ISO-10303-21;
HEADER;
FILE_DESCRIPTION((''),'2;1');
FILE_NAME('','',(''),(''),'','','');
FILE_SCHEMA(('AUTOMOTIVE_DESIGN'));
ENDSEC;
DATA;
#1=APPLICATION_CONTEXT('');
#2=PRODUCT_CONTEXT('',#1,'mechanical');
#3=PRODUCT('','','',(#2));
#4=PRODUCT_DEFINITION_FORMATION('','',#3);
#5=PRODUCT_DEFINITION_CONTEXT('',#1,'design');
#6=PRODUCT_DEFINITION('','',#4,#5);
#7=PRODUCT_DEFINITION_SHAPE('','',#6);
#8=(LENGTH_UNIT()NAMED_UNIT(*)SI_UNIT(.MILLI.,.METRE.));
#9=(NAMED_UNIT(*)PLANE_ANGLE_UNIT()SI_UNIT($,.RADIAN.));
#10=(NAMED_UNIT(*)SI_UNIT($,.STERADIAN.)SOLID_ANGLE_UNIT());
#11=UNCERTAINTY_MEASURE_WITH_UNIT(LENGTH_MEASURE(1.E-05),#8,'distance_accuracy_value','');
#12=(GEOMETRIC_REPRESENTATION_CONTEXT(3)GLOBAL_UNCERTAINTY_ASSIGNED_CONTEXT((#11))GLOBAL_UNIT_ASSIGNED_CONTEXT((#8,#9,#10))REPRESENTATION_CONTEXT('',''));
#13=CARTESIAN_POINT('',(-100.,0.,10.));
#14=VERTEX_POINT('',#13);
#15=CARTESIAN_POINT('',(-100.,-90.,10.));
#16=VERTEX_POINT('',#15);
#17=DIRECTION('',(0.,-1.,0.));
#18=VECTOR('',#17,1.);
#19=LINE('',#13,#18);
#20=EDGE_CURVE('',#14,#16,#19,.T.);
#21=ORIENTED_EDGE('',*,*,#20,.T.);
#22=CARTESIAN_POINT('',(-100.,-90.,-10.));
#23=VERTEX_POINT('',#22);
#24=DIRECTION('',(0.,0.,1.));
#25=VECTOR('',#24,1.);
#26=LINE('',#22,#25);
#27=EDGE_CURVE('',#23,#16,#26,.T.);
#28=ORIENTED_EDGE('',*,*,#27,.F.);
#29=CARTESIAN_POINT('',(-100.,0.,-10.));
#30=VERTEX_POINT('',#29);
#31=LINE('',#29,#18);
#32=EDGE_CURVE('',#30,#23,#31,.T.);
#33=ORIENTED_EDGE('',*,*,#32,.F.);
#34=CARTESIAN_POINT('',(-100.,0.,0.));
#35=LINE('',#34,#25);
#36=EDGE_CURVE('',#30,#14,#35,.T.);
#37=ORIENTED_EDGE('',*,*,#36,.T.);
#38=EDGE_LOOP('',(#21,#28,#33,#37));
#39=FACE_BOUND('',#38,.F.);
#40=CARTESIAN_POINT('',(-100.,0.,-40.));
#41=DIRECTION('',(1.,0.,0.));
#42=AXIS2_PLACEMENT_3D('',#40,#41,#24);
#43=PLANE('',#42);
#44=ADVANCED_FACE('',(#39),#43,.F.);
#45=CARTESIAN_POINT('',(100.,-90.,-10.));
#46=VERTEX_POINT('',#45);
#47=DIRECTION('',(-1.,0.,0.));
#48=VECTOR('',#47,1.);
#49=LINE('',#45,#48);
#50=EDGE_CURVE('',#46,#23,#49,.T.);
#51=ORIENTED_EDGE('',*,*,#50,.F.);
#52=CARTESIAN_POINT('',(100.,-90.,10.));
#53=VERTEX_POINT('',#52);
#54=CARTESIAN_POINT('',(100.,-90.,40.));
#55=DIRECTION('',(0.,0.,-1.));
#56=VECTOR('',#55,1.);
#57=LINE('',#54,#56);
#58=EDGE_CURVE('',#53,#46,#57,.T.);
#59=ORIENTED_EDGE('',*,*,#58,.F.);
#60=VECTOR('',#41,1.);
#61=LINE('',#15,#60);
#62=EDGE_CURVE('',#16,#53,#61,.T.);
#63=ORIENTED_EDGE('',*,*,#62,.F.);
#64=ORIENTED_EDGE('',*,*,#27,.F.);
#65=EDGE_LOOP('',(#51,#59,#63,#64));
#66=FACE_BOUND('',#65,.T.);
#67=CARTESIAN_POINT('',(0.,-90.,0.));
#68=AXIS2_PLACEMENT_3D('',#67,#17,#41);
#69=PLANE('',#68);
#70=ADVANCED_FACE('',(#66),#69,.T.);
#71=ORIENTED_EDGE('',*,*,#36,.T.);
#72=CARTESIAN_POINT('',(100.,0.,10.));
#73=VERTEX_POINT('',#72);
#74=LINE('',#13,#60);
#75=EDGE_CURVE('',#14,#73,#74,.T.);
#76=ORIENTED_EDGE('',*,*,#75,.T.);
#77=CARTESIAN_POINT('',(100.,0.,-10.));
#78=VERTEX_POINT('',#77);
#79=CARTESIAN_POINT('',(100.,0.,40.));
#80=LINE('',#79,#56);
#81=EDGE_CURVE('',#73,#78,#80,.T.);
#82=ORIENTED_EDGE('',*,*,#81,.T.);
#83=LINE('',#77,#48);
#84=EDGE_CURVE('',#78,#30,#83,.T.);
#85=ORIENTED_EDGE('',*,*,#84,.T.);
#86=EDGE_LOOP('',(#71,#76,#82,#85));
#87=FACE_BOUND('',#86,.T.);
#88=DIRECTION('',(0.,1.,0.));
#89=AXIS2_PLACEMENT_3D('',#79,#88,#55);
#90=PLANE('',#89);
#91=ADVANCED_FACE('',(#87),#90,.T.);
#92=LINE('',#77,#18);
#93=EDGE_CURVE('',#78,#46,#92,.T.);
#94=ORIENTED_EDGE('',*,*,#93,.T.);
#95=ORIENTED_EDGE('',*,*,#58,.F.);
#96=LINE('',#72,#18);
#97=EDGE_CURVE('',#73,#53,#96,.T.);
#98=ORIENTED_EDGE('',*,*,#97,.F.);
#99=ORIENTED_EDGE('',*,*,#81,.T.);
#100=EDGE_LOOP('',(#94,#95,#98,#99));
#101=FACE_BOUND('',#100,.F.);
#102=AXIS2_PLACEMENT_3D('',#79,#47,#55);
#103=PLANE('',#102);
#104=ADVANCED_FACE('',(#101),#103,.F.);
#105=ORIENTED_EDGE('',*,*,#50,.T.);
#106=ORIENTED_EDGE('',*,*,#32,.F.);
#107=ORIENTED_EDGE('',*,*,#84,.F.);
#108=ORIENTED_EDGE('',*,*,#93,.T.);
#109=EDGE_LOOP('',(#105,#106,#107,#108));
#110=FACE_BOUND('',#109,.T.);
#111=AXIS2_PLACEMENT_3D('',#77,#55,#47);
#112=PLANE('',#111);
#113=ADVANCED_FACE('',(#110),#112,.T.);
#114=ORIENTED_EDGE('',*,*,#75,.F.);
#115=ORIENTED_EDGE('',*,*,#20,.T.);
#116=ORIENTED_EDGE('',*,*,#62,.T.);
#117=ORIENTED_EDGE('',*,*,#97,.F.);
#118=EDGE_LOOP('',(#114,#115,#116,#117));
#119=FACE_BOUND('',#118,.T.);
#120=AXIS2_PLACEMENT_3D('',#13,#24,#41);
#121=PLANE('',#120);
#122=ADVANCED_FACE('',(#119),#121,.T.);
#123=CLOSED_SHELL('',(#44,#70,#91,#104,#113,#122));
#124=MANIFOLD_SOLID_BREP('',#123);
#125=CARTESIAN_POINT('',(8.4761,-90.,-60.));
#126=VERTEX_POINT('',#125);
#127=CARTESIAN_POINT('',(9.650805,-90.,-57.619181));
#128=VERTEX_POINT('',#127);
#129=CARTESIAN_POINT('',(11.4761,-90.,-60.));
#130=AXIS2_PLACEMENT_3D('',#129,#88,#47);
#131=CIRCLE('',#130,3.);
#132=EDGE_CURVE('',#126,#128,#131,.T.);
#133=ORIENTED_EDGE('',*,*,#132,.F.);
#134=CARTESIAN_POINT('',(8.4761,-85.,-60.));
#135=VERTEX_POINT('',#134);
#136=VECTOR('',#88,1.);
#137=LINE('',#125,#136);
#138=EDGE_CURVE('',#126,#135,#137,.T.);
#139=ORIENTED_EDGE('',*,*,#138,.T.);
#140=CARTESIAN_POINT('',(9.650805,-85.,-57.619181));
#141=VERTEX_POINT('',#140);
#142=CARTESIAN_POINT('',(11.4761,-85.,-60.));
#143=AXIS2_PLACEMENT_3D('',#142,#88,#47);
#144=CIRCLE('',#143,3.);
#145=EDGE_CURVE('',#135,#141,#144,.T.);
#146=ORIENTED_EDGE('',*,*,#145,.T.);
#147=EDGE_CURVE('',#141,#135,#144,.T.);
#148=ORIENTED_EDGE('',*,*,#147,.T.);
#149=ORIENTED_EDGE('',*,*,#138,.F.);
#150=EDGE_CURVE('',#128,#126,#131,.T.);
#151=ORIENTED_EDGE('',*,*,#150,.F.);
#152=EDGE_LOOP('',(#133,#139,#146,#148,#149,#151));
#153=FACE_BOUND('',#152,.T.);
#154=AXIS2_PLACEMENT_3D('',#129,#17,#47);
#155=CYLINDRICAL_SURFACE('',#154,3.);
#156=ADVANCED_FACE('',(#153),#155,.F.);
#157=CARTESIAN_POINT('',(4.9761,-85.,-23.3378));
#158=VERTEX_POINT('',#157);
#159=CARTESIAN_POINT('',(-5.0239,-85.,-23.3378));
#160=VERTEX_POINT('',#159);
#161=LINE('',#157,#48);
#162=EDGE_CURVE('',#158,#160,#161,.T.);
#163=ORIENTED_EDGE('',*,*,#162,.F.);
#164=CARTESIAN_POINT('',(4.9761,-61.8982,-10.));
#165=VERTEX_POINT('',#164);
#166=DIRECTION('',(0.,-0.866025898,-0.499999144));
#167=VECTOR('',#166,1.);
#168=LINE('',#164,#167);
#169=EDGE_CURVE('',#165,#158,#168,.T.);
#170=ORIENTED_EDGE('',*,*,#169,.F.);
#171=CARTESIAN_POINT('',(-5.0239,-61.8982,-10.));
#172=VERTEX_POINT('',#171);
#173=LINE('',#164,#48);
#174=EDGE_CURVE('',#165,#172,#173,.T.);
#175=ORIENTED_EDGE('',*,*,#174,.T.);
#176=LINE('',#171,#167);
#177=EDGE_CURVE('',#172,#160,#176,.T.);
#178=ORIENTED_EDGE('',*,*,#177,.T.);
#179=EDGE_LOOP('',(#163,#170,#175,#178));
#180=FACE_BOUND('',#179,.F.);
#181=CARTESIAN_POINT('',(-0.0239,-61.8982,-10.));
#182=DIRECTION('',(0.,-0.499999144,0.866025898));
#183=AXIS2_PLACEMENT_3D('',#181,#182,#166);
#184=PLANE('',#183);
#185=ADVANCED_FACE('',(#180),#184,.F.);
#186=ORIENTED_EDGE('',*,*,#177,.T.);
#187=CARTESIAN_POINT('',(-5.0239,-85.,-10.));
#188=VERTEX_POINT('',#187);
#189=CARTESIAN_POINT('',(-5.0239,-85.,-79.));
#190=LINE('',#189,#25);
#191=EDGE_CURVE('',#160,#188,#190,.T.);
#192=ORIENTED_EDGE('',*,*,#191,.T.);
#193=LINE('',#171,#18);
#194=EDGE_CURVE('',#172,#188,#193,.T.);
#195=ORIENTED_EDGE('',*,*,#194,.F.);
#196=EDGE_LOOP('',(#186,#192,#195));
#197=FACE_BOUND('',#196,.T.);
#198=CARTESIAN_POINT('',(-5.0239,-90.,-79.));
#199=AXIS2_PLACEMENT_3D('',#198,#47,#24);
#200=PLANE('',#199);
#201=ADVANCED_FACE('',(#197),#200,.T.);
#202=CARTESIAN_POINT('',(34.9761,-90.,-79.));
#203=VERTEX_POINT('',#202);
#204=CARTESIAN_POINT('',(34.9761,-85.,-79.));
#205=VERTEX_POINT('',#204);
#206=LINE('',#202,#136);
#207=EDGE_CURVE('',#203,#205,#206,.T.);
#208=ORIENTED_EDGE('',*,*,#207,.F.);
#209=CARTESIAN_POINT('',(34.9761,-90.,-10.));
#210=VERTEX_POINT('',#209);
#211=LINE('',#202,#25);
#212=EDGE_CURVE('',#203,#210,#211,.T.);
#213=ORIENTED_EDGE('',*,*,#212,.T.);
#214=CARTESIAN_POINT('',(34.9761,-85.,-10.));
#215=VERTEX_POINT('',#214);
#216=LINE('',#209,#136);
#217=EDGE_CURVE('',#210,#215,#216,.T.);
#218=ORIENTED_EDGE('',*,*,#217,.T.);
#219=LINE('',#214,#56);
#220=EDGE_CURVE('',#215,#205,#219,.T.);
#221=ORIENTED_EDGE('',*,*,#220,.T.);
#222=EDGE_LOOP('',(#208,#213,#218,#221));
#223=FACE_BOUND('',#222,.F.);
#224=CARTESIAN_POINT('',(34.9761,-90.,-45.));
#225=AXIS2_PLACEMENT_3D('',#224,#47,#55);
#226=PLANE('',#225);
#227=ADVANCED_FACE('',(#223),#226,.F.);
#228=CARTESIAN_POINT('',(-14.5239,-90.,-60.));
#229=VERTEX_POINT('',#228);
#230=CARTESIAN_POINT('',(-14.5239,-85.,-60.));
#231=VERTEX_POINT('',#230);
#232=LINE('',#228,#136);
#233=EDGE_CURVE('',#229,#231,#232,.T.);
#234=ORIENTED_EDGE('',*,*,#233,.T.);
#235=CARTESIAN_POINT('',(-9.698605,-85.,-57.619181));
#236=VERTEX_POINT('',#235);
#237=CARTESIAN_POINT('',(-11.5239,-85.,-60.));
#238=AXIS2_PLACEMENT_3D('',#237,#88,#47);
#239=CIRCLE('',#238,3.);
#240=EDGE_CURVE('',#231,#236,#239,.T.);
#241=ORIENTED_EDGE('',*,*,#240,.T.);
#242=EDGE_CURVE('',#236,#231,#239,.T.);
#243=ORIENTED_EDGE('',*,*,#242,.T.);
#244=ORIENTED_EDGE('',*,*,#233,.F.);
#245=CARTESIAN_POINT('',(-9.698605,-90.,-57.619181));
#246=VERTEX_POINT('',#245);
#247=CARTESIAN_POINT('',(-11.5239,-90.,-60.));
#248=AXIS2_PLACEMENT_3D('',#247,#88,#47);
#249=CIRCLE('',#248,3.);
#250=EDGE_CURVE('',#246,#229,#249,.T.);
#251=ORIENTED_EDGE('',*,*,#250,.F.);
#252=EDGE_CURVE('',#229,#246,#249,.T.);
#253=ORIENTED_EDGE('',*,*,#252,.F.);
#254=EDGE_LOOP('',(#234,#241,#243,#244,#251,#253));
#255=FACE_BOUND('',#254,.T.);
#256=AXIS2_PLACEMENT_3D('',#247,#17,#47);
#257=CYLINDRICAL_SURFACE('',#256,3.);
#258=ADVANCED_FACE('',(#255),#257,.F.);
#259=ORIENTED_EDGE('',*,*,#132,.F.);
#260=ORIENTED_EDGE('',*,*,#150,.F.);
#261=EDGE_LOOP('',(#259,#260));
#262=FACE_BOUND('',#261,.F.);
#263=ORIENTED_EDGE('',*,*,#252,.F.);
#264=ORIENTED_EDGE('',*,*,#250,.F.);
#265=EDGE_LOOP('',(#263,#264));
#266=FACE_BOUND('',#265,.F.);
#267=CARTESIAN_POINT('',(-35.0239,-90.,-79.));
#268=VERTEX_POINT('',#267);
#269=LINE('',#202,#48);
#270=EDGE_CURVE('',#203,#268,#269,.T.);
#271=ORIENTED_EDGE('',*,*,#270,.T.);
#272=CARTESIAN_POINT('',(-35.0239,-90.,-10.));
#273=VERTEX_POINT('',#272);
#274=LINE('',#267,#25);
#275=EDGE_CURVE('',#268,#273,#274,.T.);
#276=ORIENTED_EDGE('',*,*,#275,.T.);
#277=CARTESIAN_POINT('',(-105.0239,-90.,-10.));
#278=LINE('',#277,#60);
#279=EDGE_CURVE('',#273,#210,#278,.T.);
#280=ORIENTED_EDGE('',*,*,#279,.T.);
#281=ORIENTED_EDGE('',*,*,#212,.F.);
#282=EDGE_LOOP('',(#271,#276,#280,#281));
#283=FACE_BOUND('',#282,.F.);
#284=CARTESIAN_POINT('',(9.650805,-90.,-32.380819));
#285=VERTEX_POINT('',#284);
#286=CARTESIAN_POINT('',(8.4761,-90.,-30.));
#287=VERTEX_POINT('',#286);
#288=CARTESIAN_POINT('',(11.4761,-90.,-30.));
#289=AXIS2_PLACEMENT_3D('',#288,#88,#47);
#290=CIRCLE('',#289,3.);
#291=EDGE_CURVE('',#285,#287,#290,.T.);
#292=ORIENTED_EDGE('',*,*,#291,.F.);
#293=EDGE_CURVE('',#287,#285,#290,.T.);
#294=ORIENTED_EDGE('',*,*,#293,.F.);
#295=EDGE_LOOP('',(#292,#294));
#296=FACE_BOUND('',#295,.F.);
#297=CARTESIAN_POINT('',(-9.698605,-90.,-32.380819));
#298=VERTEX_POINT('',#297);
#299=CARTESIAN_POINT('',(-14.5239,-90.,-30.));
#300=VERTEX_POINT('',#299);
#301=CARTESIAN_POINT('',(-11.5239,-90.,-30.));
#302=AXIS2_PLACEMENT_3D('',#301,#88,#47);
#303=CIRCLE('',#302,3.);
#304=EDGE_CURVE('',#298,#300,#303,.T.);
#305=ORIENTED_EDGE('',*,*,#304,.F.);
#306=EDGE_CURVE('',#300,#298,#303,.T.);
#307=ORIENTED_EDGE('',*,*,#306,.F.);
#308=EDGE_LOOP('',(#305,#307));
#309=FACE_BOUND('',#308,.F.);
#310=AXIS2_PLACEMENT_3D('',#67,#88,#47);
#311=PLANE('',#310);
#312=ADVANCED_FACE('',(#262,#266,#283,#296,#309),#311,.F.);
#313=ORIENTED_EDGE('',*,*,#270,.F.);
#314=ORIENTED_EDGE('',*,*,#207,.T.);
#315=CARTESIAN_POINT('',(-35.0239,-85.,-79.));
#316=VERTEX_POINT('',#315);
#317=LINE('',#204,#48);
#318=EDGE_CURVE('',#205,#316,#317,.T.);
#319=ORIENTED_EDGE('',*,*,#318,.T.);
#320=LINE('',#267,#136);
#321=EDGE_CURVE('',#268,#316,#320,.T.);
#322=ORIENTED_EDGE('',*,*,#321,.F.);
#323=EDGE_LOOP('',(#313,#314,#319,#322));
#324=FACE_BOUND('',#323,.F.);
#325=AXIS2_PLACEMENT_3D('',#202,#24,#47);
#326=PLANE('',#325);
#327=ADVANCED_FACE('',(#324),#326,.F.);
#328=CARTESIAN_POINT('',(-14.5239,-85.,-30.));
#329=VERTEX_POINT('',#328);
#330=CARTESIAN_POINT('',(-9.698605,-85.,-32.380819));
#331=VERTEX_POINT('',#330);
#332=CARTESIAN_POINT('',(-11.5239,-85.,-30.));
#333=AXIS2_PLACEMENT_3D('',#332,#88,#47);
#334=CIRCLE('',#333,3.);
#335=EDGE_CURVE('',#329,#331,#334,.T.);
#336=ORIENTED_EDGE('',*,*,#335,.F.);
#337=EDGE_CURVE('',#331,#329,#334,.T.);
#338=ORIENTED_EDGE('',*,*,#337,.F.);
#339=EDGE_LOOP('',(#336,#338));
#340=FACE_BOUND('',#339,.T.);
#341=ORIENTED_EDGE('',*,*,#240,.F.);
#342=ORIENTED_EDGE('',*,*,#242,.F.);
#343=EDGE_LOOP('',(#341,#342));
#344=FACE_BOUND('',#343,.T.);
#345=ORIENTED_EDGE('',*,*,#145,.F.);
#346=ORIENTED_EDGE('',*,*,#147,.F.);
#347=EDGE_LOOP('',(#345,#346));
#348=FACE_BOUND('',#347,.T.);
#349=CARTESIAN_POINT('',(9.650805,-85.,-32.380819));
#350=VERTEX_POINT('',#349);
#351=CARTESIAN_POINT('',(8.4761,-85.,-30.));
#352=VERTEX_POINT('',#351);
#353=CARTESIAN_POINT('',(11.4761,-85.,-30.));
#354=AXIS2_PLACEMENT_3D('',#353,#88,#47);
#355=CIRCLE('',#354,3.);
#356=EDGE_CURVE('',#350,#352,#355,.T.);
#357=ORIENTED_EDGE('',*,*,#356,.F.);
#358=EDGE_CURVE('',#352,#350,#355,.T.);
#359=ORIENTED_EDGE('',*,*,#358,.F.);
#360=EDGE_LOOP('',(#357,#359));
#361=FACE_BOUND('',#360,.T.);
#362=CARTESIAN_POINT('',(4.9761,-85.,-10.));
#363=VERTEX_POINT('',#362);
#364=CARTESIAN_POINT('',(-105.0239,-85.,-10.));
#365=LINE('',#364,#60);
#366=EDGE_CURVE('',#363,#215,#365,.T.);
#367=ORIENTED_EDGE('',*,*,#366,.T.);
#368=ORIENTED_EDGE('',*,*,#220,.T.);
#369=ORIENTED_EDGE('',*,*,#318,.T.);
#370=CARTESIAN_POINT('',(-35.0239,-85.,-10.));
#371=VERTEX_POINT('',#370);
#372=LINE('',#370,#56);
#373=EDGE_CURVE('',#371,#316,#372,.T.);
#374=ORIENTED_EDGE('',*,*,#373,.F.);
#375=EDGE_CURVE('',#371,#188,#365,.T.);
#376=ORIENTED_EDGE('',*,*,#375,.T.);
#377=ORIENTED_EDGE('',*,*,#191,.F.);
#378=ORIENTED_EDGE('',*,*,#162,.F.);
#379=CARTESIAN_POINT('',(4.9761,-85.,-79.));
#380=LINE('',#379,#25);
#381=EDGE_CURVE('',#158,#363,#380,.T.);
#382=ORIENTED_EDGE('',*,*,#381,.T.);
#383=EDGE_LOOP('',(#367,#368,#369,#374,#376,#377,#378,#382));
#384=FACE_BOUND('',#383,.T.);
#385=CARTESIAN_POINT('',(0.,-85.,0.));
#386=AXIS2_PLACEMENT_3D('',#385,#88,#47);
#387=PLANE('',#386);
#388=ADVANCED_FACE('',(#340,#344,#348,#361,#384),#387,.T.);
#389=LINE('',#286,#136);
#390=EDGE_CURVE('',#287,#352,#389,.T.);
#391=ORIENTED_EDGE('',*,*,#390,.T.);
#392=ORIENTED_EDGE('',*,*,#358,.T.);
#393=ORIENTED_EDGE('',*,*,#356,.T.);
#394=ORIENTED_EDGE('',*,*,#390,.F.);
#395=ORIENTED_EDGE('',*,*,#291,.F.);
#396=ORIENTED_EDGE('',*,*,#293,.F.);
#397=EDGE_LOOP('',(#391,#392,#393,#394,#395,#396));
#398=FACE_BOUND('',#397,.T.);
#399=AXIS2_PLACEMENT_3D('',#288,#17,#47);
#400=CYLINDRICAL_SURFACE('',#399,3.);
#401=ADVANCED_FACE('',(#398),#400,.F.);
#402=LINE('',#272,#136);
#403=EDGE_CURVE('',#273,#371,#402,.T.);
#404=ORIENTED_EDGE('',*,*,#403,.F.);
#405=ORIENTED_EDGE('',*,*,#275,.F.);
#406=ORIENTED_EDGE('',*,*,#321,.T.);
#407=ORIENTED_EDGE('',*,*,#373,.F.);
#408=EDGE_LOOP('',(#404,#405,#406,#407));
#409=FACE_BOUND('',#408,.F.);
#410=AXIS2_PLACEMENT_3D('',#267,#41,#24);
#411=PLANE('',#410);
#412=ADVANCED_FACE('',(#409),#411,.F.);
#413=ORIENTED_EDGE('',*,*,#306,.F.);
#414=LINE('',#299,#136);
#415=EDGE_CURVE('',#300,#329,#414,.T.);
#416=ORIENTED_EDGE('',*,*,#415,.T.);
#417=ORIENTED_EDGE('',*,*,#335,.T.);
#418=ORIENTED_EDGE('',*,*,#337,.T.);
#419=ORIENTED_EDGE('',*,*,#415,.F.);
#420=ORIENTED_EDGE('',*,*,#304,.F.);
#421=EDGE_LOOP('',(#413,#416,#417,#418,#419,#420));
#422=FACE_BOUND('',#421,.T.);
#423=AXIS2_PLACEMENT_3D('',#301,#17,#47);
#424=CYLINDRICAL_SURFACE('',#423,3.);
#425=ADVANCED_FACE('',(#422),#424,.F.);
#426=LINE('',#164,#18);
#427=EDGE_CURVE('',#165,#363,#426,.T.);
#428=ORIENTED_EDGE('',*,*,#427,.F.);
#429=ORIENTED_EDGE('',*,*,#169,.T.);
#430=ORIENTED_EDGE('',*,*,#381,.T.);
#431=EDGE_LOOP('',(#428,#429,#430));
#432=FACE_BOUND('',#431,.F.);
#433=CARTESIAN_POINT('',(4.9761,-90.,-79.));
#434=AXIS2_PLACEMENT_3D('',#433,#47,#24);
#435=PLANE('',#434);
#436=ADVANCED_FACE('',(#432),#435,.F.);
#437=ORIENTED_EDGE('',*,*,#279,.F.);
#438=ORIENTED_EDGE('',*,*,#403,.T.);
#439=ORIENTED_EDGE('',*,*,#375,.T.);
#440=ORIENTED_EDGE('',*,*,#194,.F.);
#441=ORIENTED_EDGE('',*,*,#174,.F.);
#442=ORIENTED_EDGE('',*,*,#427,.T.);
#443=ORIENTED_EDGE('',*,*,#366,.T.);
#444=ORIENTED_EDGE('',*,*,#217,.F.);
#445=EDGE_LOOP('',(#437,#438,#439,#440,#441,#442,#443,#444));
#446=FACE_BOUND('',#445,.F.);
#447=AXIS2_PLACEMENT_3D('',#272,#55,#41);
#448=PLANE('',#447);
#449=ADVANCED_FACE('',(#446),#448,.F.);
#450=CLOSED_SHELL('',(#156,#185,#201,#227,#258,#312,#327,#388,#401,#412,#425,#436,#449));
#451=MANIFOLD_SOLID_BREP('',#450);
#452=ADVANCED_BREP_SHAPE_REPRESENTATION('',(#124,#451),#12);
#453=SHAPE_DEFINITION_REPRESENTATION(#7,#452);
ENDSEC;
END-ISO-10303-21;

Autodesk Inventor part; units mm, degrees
ref_plane "YZ Plane" through (0, 0, 0) normal (1, 0, 0) x (0, 1, 0)
sketch "Boceto1" plane through (0, 0, 0) normal (0, 1, 0) x (-1, 0, 0)
  line L0 (100, 40) -> (-100, 40)
  line L1 (-100, 40) -> (-100, -40)
  line L2 (-100, -40) -> (100, -40)
  line L3 (100, -40) -> (100, 40)
  line L4 (100, 40) -> (-100, -40) construction
  line L5 (-100, 40) -> (100, -40) construction
  point P0 (0, 0)
  dimension "d0" = 200
  dimension "d1" = 80
extrude "Extrusión1" add sketch "Boceto1" along normal blind 130
sketch "Boceto2" plane through (-100, 0, 40) normal (0, 0, 1) x (1, 0, 0)
  line L0 (10, 80) -> (190, 80)
  line L1 (190, 80) -> (190, 20)
  line L2 (190, 20) -> (10, 20)
  line L3 (10, 20) -> (10, 80)
  line L4 (10, 80) -> (190, 20) construction
  line L5 (190, 80) -> (10, 20) construction
  line L6 (0, 0) -> (200, 0) projected
  line L7 (0, 0) -> (0, 130) projected
  point P0 (100, 0)
  point P1 (100, 50)
  dimension "d4" = 180
  dimension "d5" = 60
  dimension "d6" = 20
  dimension "d52" = 10
extrude "Extrusión2" cut sketch "Boceto2" against normal blind 60
sketch "Boceto3" plane through (0, 130, 0) normal (0, 1, 0) x (1, 0, 0)
  line L0 (-10.5, -21.5) -> (10.5, -21.5)
  line L1 (10.5, -21.5) -> (10.5, 21.5)
  line L2 (10.5, 21.5) -> (-10.5, 21.5)
  line L3 (-10.5, 21.5) -> (-10.5, -21.5)
  line L4 (-10.5, -21.5) -> (10.5, 21.5) construction
  line L5 (10.5, -21.5) -> (-10.5, 21.5) construction
  line L6 (100, -40) -> (100, 40) projected
  point P0 (0, 0)
  point P1 (0, 0)
  dimension "d9" = 21
  dimension "d10" = 43
  dimension "d53" = 89.5
extrude "Extrusión3" cut sketch "Boceto3" against normal blind 43
sketch "Boceto4" plane through (0, 0, 0) normal (0, -1, 0) x (1, 0, 0)
  line L0 (100, 40) -> (100, -40) projected
  line L1 (-100, 10) -> (100, 10)
  line L2 (100, 10) -> (100, -10)
  line L3 (100, -10) -> (-100, -10)
  line L4 (-100, -10) -> (-100, 10)
  line L5 (-100, 10) -> (100, -10) construction
  line L6 (100, 10) -> (-100, -10) construction
  point P0 (0, 0)
  dimension "d13" = 20
extrude "Extrusión4" add sketch "Boceto4" along normal blind 90
ref_plane "Plano de trabajo1" through (0, -90, 0) normal (0, 1, 0) x (-1, 0, 0)
sketch "Boceto7" plane through (0, -90, 0) normal (0, 1, 0) x (-1, 0, 0)
  circle A0 centre (11.5239, -60) radius 3
  circle A1 centre (-11.4761, -60) radius 3
  line L0 (105, 10) -> (-105, 10)
  line L1 (105.0239, -10) -> (-104.9761, -10)
  line L2 (105.0239, -10) -> (-104.9761, -10)
  circle A2 centre (11.5239, -30) radius 3
  circle A3 centre (-11.4761, -30) radius 3
  line L3 (11.5239, -60) -> (-11.4761, -30)
  line L4 (11.5239, -30) -> (-11.4761, -60)
  line L5 (105, 10) -> (-105, 10)
  line L6 (-105, 10) -> (-95.8154, 10)
  line L7 (0.0239, -45) -> (-34.9761, -45)
  line L8 (0.0239, -45) -> (35.0239, -45)
  line L9 (35.0239, -45) -> (35.0239, -10)
  line L10 (-100, -10) -> (100, -10)
  line L11 (35.0239, -10) -> (-34.9761, -10)
  line L12 (-34.9761, -10) -> (-34.9761, -79)
  line L13 (-34.9761, -79) -> (35.0239, -79)
  line L14 (35.0239, -79) -> (35.0239, -10)
  line L15 (-100, -10) -> (100, -10) projected
  line L16 (-40.6213, -10) -> (-84.6707, -10)
  point P0 (0, 0)
  point P1 (0, 0)
  point P2 (0.0478, -10)
  dimension "d28" = 20
  dimension "d29" = 20
  dimension "d30" = 30
  dimension "d31" = 30
  dimension "d32" = 20
  dimension "d33" = 35
  dimension "d34" = 35
  dimension "d35" = 69
extrude "Extrusión6" add sketch "Boceto7" along normal blind 5 separate body
ref_plane "Plano de trabajo3" through (-0.0239, -90, -79) normal (-1, 0, 0) x (0, 0, 1)
sketch "Boceto10" plane through (-0.0239, -90, -79) normal (-1, 0, 0) x (0, 0, 1)
  line L0 (57.1622, 5) -> (81.4718, 5) construction
  line L1 (69, 28.1018) -> (55.6622, 5)
  line L2 (69, 28.1018) -> (69, 5)
  line L3 (69, 90) -> (69, 0) projected
  line L4 (0, 5) -> (69, 5) projected
  line L5 (69, 5) -> (55.6622, 5)
  point P0 (79, 90)
  dimension "d45" = 1.5
extrude "Extrusión7" add sketch "Boceto10" along normal mid plane 10 bodies 2
ref_plane "Plano de trabajo4" through (100, 0, 40) normal (0, -1, 0) x (0, 0, -1)
split "Dividir1" plane through (100, 0, 40) removes the side toward (0, 1, 0)
properties part number "front_support_1"
